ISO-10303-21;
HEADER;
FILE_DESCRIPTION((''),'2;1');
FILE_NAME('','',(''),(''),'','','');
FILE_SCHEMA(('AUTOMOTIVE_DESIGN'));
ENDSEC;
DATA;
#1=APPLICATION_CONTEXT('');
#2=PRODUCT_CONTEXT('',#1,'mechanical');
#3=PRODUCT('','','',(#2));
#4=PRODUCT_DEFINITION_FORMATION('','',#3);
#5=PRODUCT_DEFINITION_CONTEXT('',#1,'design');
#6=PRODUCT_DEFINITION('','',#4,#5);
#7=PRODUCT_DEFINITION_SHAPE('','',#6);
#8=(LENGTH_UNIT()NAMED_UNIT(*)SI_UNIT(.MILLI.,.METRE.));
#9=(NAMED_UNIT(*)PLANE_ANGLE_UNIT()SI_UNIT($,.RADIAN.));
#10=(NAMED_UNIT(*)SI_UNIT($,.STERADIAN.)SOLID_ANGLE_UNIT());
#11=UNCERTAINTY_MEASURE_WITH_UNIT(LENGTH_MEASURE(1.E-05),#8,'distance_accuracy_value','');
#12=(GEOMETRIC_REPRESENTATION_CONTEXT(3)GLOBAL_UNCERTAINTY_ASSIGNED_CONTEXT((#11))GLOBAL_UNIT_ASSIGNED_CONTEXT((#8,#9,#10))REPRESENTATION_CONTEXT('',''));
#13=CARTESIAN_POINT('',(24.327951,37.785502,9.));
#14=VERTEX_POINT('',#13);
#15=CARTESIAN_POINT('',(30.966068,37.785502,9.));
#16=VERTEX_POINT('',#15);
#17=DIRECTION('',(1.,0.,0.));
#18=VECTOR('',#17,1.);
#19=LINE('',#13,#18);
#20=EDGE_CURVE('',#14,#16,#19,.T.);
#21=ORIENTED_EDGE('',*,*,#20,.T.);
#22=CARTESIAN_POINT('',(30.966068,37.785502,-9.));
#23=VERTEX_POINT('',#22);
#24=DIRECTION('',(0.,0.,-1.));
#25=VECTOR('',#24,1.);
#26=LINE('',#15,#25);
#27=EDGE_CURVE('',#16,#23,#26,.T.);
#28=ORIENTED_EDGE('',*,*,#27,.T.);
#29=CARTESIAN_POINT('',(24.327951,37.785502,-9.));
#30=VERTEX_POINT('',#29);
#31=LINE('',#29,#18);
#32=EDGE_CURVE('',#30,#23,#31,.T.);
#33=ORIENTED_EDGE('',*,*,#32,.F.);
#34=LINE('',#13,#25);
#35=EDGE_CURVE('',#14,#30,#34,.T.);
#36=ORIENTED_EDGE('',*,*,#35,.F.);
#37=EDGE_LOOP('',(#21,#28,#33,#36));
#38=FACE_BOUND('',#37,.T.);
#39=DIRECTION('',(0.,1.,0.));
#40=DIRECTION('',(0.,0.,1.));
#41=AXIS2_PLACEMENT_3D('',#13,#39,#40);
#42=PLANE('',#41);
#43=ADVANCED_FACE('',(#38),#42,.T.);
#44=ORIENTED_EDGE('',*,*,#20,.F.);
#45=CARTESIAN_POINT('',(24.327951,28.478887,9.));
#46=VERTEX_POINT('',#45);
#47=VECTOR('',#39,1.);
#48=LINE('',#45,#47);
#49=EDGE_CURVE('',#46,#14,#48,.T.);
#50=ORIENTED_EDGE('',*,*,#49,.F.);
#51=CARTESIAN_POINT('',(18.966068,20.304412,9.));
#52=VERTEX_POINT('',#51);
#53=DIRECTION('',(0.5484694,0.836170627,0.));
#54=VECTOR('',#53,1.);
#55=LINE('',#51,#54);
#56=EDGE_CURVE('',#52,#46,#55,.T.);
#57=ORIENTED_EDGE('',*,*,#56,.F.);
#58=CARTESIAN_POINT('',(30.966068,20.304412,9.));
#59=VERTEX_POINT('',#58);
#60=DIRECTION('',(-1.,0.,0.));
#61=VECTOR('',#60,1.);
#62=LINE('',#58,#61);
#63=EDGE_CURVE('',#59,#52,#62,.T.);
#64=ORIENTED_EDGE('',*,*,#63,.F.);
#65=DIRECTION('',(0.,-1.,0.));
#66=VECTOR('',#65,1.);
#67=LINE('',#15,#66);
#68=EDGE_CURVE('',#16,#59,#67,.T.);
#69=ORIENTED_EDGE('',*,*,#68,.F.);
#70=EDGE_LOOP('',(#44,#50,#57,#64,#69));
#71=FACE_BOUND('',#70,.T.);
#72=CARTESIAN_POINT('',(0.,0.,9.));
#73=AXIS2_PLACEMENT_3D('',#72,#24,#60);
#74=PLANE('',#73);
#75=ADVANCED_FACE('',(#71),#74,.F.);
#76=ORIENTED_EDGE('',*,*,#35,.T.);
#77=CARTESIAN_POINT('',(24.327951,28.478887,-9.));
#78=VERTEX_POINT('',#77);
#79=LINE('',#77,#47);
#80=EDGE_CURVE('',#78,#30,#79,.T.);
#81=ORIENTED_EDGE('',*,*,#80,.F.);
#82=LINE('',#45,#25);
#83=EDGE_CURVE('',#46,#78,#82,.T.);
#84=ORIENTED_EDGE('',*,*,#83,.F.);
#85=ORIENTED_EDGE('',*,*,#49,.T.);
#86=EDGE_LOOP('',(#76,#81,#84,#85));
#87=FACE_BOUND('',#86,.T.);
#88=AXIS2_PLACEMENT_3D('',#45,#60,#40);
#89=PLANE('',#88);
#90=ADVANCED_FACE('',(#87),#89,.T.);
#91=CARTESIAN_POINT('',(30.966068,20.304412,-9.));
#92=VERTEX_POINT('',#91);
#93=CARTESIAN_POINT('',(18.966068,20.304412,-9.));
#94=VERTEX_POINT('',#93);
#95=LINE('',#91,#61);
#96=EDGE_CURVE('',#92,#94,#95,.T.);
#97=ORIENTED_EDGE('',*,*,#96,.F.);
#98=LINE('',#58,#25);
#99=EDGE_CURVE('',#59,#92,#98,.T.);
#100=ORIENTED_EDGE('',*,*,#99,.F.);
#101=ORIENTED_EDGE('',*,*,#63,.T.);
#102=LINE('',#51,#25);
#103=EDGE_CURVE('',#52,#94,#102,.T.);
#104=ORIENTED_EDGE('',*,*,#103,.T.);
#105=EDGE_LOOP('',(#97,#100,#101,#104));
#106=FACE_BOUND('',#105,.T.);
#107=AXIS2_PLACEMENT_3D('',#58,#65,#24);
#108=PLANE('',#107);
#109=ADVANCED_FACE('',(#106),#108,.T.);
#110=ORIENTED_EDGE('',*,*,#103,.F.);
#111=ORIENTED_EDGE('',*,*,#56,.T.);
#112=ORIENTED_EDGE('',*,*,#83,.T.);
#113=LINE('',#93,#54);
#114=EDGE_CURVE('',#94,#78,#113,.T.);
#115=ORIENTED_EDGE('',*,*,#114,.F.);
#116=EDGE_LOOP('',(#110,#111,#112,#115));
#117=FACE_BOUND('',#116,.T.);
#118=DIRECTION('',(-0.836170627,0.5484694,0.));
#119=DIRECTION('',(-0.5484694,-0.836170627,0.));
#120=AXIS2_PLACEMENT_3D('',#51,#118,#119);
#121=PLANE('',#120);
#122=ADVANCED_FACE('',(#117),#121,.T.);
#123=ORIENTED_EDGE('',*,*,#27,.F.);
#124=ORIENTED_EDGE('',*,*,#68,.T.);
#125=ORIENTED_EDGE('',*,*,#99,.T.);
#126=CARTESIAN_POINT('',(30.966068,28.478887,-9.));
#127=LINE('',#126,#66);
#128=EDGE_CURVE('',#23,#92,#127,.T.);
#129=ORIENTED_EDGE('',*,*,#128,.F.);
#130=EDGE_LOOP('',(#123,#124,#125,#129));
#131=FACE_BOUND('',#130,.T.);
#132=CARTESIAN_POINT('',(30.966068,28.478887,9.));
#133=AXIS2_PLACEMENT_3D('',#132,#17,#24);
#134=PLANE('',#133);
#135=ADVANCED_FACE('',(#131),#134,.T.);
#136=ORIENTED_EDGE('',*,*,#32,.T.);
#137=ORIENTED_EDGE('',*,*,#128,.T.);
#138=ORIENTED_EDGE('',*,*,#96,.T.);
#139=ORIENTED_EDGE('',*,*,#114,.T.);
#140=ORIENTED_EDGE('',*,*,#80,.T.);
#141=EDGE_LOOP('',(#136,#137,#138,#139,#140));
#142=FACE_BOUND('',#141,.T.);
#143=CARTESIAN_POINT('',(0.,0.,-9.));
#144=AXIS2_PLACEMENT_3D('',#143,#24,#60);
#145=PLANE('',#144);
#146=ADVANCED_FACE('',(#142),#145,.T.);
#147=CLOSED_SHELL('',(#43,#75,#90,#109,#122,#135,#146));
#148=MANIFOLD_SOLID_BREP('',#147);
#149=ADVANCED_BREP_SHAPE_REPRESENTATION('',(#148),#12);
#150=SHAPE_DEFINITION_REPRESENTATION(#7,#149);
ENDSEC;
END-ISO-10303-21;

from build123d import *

# Parameters (mm, degrees)
BOSS_EXTRUDE1_DEPTH = 9


with BuildPart() as part:
    # Sketch1 → Boss-Extrude1 (new body, symmetric)
    with BuildSketch(Plane.XY):
        Polygon((18.96606777, 20.30441203), (24.327951182, 28.478887052), (24.327951182, 37.78550185), (30.96606777, 37.78550185), (30.96606777, 28.478887052), (30.96606777, 20.30441203), align=None)
    extrude(amount=BOSS_EXTRUDE1_DEPTH, both=True)


solid = part.part
